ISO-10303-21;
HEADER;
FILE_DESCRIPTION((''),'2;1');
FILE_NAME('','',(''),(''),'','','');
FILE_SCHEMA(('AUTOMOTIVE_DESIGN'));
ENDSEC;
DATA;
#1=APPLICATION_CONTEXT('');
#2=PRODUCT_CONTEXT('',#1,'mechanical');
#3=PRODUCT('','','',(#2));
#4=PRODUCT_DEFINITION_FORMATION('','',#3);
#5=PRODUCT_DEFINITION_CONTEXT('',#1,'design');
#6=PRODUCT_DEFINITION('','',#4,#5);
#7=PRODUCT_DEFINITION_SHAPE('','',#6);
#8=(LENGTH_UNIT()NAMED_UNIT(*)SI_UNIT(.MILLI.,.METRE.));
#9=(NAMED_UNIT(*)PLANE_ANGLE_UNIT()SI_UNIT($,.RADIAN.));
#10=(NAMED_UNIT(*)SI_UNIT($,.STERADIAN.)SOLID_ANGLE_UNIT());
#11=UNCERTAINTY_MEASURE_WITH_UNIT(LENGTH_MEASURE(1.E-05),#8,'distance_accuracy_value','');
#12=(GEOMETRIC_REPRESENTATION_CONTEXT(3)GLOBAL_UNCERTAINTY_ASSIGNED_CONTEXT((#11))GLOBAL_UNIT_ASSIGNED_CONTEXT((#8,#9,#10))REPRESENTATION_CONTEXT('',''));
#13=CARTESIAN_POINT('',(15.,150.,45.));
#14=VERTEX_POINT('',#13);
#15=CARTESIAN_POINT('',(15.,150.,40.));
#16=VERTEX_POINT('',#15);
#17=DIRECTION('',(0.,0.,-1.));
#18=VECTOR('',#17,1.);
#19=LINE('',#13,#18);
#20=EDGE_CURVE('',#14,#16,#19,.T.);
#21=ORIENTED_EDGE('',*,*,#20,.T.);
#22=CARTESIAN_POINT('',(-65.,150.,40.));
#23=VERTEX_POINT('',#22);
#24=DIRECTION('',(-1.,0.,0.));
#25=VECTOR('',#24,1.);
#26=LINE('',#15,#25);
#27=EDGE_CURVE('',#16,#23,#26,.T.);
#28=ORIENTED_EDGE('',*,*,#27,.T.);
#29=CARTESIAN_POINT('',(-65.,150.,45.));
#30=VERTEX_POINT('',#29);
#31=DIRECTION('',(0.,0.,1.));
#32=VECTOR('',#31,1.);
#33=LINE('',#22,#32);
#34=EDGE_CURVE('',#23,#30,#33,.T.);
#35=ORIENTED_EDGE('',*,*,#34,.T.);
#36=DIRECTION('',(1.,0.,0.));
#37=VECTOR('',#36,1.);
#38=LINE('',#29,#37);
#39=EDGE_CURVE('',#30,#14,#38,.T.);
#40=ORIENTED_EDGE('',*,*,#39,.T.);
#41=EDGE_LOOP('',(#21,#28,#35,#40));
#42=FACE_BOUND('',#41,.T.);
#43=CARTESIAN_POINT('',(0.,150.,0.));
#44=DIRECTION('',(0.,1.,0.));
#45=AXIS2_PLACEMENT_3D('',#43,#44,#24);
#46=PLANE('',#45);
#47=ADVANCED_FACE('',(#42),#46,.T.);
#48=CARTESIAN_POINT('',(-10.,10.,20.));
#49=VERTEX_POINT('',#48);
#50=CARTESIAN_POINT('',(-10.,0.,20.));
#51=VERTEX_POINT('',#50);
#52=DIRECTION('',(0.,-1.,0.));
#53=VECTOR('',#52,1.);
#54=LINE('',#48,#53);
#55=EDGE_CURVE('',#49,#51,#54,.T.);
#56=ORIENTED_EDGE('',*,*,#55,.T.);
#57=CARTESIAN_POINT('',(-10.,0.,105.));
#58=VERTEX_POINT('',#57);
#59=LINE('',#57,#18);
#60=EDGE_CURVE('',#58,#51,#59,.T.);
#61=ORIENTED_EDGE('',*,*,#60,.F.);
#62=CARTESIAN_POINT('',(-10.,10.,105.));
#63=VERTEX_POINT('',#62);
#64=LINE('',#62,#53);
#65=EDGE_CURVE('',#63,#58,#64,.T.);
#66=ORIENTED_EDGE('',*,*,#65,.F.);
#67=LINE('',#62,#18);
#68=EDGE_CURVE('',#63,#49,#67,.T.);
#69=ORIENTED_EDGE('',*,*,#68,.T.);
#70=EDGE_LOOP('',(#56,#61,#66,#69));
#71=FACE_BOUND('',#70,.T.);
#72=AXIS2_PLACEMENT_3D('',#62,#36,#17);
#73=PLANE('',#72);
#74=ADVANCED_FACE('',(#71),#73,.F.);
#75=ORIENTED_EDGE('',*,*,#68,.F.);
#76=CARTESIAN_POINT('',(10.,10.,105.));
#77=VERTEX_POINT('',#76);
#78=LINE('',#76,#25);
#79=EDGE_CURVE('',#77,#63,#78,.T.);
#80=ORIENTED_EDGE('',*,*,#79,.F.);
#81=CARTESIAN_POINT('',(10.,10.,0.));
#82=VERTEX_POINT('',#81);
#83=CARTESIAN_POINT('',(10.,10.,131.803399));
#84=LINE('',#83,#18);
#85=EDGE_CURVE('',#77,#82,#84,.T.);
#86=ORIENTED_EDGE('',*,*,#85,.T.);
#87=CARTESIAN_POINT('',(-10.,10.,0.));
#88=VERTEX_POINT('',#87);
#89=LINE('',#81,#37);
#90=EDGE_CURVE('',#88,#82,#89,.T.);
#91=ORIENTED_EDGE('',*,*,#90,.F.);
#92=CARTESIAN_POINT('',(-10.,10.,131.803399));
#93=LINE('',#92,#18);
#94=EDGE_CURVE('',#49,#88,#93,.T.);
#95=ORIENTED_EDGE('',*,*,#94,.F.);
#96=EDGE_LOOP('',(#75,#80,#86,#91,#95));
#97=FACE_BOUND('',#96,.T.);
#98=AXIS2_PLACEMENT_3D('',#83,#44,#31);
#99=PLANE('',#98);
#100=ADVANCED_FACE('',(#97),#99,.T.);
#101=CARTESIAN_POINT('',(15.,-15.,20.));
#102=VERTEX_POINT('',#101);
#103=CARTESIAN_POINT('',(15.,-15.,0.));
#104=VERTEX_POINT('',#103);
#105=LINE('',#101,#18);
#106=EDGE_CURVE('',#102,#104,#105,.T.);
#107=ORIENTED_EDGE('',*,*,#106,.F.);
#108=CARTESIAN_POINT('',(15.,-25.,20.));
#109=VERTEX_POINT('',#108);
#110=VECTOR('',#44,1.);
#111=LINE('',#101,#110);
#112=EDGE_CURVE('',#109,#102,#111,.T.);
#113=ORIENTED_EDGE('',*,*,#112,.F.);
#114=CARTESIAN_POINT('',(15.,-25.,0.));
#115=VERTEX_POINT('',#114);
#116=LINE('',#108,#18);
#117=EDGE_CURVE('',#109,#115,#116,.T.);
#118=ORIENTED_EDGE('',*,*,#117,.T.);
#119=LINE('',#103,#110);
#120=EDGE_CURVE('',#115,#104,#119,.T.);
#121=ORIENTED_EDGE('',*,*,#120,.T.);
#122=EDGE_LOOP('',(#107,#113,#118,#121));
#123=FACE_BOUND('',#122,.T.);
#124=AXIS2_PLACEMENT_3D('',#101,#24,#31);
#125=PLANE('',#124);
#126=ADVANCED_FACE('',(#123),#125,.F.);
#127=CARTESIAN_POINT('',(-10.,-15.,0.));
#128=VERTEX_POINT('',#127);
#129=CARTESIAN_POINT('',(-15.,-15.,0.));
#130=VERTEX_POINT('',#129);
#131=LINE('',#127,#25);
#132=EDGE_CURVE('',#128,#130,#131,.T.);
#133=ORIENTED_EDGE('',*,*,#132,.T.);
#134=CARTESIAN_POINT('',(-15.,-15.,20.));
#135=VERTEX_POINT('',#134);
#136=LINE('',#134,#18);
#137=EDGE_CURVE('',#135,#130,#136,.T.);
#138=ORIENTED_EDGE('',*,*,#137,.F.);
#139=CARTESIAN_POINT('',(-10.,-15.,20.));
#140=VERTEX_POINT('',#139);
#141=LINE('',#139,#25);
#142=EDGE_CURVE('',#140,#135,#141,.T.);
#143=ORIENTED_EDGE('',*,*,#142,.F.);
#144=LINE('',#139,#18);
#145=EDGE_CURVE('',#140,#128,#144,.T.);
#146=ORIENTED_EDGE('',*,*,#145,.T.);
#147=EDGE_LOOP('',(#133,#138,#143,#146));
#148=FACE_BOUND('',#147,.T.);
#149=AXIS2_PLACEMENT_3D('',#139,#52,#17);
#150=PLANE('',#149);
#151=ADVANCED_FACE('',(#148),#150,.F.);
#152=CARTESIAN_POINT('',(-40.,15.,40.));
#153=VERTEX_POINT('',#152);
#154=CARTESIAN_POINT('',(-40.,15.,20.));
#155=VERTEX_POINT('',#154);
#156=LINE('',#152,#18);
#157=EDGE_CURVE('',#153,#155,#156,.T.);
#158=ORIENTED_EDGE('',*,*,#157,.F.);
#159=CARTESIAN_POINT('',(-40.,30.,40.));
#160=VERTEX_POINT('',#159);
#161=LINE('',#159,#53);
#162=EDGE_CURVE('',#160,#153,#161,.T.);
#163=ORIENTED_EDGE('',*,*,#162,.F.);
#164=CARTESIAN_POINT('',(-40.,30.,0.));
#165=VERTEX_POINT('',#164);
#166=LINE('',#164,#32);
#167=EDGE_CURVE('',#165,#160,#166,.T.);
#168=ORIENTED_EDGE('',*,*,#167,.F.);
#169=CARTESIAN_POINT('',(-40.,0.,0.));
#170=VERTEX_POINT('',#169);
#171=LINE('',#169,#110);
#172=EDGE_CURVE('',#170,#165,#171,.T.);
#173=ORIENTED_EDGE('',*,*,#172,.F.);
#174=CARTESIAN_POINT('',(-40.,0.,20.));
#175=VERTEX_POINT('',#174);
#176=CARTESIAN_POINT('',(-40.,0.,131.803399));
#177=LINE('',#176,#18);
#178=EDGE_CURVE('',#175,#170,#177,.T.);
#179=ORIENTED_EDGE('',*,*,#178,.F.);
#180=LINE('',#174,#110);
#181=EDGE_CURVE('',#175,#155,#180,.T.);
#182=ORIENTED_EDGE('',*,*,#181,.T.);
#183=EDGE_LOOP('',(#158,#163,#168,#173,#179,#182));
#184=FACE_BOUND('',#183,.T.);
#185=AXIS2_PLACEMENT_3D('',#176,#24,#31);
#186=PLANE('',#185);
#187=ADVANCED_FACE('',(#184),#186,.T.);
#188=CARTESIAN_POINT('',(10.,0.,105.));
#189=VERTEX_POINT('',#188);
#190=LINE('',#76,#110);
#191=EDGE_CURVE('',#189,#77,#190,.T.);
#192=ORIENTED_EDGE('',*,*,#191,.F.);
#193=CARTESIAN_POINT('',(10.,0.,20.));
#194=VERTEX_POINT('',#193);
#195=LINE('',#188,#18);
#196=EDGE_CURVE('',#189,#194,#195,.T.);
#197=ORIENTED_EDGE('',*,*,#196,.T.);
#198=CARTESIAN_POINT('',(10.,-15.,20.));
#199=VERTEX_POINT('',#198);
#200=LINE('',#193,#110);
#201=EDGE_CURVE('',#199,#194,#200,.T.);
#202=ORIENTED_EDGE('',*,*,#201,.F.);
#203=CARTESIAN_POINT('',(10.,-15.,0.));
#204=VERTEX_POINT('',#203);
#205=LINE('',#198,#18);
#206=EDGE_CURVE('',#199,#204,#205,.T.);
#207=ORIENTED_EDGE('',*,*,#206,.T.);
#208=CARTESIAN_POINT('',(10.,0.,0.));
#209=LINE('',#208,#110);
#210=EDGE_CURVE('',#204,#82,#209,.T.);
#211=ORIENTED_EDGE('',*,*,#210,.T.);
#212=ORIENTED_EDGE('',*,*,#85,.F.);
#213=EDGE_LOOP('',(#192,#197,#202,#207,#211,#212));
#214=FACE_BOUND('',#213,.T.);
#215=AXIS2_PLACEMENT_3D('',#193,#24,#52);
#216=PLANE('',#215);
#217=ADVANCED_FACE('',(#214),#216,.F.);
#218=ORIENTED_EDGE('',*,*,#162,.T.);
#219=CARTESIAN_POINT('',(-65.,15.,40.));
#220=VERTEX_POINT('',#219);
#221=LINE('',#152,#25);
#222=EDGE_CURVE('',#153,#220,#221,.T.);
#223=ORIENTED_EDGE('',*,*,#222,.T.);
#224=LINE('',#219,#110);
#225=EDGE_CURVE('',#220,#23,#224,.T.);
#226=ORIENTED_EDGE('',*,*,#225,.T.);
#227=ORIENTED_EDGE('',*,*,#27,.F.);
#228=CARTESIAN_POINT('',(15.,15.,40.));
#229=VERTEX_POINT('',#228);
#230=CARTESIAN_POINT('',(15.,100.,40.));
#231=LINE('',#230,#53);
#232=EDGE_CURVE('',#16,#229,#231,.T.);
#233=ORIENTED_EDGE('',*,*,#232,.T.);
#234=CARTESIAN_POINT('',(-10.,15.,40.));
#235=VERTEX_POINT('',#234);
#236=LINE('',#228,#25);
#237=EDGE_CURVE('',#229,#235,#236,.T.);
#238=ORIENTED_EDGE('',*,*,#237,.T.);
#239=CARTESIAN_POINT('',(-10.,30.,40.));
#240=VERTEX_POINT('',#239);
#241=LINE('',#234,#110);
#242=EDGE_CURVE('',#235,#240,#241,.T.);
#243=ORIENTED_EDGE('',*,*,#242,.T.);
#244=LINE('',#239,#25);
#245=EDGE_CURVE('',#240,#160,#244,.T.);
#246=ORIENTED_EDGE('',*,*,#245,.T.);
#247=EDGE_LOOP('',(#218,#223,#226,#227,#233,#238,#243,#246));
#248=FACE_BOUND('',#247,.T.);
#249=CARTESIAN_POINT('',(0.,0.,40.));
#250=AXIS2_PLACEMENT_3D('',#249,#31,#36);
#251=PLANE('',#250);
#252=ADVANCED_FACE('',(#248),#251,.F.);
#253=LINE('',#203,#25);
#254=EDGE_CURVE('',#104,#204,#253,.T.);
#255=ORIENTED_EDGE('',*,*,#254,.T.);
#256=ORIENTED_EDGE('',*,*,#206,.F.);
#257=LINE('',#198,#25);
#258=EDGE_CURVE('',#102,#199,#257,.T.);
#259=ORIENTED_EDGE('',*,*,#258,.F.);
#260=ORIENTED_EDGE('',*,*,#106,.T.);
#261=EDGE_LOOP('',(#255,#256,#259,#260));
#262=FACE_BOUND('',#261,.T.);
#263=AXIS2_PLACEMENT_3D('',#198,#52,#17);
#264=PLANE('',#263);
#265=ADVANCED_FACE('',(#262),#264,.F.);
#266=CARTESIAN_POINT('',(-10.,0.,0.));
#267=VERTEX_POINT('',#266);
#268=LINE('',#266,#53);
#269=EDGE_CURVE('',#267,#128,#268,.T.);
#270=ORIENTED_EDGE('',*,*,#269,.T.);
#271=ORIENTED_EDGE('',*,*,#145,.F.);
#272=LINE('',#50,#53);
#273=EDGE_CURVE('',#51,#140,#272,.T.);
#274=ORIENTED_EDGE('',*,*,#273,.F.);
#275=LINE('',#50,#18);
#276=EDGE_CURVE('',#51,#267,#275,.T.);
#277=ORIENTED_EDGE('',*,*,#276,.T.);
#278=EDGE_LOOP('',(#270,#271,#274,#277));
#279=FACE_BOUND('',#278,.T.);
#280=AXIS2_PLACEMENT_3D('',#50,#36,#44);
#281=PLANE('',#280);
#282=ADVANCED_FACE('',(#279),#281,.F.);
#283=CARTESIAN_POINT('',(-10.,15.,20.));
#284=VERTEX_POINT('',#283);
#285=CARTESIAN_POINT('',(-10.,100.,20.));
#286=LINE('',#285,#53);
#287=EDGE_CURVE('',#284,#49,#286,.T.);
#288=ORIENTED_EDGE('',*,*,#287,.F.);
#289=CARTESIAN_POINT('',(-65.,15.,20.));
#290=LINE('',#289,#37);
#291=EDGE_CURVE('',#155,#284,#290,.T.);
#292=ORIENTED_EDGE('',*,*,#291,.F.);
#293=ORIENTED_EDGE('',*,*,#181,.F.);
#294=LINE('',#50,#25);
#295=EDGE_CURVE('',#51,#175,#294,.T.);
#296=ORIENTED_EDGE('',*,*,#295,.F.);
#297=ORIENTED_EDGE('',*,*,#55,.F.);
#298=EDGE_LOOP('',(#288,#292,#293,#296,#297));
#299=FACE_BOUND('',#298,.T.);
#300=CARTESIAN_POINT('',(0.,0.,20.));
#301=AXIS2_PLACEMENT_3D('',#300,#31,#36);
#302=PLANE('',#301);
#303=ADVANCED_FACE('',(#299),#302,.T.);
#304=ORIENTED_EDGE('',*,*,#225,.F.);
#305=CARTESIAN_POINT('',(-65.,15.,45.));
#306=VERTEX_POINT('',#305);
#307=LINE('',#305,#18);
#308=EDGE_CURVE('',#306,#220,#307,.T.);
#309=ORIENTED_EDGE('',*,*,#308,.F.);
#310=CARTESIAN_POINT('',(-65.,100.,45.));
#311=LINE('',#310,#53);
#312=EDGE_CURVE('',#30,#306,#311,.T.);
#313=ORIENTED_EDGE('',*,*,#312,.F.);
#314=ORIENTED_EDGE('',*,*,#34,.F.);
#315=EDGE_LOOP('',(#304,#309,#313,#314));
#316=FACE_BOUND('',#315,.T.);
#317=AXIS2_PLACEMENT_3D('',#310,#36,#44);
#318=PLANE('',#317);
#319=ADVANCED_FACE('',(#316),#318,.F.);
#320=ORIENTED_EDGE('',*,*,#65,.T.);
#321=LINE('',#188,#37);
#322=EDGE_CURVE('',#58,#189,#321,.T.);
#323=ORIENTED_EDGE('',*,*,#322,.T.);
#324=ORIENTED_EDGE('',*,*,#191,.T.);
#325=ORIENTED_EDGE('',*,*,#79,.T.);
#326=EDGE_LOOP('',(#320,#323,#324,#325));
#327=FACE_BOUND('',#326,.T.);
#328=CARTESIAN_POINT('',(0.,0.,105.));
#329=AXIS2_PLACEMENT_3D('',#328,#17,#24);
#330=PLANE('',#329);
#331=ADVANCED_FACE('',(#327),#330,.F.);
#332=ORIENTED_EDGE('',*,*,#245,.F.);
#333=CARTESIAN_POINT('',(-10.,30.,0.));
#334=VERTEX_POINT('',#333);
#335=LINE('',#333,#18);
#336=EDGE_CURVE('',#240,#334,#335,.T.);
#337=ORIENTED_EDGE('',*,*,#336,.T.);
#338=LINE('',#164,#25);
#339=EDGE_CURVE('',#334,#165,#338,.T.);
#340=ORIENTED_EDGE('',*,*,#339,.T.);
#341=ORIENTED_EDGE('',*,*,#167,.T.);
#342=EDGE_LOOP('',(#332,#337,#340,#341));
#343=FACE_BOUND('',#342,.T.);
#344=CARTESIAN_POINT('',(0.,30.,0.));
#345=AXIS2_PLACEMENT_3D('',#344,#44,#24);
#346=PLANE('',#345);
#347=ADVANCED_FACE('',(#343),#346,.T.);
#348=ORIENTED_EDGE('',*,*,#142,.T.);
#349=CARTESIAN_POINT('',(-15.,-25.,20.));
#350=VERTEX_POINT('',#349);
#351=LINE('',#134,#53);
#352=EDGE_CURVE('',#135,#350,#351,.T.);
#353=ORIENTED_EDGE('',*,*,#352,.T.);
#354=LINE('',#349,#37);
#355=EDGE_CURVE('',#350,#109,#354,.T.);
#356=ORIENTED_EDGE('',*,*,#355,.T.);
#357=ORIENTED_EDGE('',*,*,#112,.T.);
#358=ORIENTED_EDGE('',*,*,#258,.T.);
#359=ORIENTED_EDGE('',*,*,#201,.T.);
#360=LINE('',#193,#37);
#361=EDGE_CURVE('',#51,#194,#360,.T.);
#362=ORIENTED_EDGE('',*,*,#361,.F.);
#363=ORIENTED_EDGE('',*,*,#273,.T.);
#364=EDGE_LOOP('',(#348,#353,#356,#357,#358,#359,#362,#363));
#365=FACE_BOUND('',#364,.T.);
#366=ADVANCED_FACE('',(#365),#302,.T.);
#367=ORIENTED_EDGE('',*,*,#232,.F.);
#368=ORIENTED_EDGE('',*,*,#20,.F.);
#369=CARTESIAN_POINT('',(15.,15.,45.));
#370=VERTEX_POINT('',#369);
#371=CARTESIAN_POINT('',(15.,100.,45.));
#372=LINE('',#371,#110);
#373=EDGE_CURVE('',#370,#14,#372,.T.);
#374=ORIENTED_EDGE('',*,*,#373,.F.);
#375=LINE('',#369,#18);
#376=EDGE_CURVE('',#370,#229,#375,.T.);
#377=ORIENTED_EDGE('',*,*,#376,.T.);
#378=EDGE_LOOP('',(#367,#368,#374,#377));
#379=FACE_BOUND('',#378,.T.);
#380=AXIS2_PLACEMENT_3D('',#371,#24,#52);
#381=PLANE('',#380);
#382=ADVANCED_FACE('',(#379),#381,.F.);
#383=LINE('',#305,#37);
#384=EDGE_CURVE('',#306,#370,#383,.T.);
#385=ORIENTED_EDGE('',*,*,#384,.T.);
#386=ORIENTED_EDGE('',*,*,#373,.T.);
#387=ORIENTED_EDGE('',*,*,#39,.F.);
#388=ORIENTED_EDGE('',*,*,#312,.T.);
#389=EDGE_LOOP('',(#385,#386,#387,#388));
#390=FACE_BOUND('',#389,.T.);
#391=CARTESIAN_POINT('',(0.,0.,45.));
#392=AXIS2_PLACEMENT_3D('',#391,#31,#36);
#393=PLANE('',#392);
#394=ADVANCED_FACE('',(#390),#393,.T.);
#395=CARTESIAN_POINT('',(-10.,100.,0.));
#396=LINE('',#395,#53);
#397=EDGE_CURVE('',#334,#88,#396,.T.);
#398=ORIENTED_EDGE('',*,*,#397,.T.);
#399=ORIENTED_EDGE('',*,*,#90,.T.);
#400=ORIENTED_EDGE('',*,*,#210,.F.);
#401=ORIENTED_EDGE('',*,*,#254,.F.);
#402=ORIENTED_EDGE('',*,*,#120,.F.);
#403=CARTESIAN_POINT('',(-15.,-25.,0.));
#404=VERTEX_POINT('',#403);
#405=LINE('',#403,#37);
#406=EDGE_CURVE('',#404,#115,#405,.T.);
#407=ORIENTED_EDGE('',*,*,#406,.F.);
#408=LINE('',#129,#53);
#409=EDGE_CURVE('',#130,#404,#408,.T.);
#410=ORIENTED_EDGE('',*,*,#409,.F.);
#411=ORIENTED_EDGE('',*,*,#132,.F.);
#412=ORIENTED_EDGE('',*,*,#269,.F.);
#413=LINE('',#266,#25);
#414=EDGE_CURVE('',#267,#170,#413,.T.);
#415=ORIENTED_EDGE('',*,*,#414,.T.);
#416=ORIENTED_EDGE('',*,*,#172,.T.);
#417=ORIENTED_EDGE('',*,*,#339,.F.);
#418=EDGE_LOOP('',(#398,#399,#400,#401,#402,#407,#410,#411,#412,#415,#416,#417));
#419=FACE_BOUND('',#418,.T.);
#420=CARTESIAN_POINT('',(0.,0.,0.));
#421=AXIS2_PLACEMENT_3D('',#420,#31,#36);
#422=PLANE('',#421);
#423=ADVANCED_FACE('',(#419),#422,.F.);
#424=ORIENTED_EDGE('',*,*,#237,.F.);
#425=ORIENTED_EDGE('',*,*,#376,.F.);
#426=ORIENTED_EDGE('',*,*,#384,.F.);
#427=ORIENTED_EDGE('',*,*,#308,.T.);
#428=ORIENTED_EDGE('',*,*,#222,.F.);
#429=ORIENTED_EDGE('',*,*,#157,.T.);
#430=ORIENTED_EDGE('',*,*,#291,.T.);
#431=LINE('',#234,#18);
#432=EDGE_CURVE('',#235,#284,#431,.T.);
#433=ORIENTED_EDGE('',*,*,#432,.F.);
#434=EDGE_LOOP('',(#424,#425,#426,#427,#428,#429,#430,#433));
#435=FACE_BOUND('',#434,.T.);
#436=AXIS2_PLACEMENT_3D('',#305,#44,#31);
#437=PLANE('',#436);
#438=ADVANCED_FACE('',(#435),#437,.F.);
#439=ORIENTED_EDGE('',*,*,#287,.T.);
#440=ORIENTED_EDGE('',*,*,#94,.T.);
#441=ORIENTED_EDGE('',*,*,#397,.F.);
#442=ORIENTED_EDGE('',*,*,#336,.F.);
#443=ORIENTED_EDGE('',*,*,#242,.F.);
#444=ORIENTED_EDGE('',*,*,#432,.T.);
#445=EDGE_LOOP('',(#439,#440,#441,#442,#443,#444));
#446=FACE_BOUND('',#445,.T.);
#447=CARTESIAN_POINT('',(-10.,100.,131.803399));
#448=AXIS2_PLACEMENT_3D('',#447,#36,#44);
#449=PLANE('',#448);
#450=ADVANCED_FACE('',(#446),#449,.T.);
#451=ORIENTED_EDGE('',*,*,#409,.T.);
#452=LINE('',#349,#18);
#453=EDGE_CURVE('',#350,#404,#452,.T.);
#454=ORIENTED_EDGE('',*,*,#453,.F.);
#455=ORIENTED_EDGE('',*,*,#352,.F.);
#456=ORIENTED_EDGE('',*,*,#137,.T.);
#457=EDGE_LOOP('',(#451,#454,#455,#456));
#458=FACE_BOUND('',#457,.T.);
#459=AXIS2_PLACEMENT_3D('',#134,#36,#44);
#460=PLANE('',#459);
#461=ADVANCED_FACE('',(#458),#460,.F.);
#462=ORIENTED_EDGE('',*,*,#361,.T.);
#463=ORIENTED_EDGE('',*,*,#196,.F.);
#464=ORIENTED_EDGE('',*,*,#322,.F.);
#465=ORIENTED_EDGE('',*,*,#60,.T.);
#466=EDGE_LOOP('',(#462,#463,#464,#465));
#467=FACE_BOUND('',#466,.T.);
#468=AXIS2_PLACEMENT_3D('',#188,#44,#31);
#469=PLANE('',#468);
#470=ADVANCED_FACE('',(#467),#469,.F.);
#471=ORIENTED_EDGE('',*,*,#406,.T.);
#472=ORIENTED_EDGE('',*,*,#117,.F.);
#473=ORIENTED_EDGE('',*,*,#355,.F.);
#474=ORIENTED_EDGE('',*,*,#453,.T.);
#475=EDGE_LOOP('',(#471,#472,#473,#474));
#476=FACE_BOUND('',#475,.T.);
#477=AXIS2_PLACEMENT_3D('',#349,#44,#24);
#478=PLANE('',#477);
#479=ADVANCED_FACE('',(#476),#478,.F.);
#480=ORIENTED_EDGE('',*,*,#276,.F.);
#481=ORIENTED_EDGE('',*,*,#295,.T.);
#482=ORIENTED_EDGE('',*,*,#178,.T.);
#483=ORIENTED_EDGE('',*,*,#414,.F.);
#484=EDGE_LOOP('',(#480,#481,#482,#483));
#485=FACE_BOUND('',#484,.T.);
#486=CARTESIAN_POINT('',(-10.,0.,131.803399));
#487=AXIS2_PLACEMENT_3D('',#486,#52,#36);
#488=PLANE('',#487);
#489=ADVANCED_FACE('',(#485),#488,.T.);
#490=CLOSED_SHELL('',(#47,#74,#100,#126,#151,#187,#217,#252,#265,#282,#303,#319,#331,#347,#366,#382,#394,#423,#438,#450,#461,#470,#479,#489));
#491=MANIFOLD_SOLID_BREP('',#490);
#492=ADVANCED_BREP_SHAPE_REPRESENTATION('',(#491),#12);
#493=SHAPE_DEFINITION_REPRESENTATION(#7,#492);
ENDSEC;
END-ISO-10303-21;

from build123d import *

# Parameters (mm, degrees)
BOSS_EXTRUDE1_DEPTH = 20
BOSS_EXTRUDE2_DEPTH = 20
SKETCH3_W           = 20
SKETCH3_H           = 10
BOSS_EXTRUDE3_DEPTH = 85
SKETCH6_W           = 80
SKETCH6_H           = 85
BOSS_EXTRUDE4_DEPTH = 25
SKETCH7_W           = 30
SKETCH7_H           = 20
CUT_EXTRUDE1_DEPTH  = 70
CUT_EXTRUDE2_DEPTH  = 20
SKETCH9_W           = 80
SKETCH9_H           = 5
BOSS_EXTRUDE5_DEPTH = 50


with BuildPart() as part:
    # Sketch1 → Boss-Extrude1 (new body)
    with BuildSketch(Plane.XY):
        Polygon((10, 0), (-10, 0), (-10, -15), (-15, -15), (-15, -25), (15, -25), (15, -15), (10, -15), align=None)
    extrude(amount=BOSS_EXTRUDE1_DEPTH)

    # Sketch2 → Boss-Extrude2 (add)
    with BuildSketch(Plane(origin=(0, 0, 0), x_dir=(-1, 0, 0), z_dir=(0, 0, -1))):
        Polygon((10, 0), (40, 0), (40, 100), (10, 100), (10, 10), (-10, 10), (-10, 0), align=None)
    extrude(amount=-BOSS_EXTRUDE2_DEPTH)

    # Sketch3 → Boss-Extrude3 (add)
    with BuildSketch(Plane.XY.offset(20)):
        with Locations((0, 5)):
            Rectangle(SKETCH3_W, SKETCH3_H)
    extrude(amount=BOSS_EXTRUDE3_DEPTH)

    # Sketch6 → Boss-Extrude4 (add)
    with BuildSketch(Plane.XY.offset(20)):
        with Locations((-25, 57.5)):
            Rectangle(SKETCH6_W, SKETCH6_H)
    extrude(amount=BOSS_EXTRUDE4_DEPTH)

    # Sketch7 → Cut-Extrude1 (cut)
    with BuildSketch(Plane(origin=(0, 100, 0), x_dir=(1, 0, 0), z_dir=(0, 1, 0))):
        with Locations((-25, -10)):
            Rectangle(SKETCH7_W, SKETCH7_H)
    extrude(amount=-CUT_EXTRUDE1_DEPTH, mode=Mode.SUBTRACT)

    # Sketch8 → Cut-Extrude2 (cut)
    with BuildSketch(Plane(origin=(0, 0, 20), x_dir=(-1, 0, 0), z_dir=(0, 0, -1))):
        Polygon((40, 30), (40, 15), (65, 15), (65, 100), (-15, 100), (-15, 15), (10, 15), (10, 30), align=None)
    extrude(amount=-CUT_EXTRUDE2_DEPTH, mode=Mode.SUBTRACT)

    # Sketch9 → Boss-Extrude5 (add)
    with BuildSketch(Plane(origin=(0, 100, 0), x_dir=(1, 0, 0), z_dir=(0, 1, 0))):
        with Locations((-25, -42.5)):
            Rectangle(SKETCH9_W, SKETCH9_H)
    extrude(amount=BOSS_EXTRUDE5_DEPTH)


solid = part.part
